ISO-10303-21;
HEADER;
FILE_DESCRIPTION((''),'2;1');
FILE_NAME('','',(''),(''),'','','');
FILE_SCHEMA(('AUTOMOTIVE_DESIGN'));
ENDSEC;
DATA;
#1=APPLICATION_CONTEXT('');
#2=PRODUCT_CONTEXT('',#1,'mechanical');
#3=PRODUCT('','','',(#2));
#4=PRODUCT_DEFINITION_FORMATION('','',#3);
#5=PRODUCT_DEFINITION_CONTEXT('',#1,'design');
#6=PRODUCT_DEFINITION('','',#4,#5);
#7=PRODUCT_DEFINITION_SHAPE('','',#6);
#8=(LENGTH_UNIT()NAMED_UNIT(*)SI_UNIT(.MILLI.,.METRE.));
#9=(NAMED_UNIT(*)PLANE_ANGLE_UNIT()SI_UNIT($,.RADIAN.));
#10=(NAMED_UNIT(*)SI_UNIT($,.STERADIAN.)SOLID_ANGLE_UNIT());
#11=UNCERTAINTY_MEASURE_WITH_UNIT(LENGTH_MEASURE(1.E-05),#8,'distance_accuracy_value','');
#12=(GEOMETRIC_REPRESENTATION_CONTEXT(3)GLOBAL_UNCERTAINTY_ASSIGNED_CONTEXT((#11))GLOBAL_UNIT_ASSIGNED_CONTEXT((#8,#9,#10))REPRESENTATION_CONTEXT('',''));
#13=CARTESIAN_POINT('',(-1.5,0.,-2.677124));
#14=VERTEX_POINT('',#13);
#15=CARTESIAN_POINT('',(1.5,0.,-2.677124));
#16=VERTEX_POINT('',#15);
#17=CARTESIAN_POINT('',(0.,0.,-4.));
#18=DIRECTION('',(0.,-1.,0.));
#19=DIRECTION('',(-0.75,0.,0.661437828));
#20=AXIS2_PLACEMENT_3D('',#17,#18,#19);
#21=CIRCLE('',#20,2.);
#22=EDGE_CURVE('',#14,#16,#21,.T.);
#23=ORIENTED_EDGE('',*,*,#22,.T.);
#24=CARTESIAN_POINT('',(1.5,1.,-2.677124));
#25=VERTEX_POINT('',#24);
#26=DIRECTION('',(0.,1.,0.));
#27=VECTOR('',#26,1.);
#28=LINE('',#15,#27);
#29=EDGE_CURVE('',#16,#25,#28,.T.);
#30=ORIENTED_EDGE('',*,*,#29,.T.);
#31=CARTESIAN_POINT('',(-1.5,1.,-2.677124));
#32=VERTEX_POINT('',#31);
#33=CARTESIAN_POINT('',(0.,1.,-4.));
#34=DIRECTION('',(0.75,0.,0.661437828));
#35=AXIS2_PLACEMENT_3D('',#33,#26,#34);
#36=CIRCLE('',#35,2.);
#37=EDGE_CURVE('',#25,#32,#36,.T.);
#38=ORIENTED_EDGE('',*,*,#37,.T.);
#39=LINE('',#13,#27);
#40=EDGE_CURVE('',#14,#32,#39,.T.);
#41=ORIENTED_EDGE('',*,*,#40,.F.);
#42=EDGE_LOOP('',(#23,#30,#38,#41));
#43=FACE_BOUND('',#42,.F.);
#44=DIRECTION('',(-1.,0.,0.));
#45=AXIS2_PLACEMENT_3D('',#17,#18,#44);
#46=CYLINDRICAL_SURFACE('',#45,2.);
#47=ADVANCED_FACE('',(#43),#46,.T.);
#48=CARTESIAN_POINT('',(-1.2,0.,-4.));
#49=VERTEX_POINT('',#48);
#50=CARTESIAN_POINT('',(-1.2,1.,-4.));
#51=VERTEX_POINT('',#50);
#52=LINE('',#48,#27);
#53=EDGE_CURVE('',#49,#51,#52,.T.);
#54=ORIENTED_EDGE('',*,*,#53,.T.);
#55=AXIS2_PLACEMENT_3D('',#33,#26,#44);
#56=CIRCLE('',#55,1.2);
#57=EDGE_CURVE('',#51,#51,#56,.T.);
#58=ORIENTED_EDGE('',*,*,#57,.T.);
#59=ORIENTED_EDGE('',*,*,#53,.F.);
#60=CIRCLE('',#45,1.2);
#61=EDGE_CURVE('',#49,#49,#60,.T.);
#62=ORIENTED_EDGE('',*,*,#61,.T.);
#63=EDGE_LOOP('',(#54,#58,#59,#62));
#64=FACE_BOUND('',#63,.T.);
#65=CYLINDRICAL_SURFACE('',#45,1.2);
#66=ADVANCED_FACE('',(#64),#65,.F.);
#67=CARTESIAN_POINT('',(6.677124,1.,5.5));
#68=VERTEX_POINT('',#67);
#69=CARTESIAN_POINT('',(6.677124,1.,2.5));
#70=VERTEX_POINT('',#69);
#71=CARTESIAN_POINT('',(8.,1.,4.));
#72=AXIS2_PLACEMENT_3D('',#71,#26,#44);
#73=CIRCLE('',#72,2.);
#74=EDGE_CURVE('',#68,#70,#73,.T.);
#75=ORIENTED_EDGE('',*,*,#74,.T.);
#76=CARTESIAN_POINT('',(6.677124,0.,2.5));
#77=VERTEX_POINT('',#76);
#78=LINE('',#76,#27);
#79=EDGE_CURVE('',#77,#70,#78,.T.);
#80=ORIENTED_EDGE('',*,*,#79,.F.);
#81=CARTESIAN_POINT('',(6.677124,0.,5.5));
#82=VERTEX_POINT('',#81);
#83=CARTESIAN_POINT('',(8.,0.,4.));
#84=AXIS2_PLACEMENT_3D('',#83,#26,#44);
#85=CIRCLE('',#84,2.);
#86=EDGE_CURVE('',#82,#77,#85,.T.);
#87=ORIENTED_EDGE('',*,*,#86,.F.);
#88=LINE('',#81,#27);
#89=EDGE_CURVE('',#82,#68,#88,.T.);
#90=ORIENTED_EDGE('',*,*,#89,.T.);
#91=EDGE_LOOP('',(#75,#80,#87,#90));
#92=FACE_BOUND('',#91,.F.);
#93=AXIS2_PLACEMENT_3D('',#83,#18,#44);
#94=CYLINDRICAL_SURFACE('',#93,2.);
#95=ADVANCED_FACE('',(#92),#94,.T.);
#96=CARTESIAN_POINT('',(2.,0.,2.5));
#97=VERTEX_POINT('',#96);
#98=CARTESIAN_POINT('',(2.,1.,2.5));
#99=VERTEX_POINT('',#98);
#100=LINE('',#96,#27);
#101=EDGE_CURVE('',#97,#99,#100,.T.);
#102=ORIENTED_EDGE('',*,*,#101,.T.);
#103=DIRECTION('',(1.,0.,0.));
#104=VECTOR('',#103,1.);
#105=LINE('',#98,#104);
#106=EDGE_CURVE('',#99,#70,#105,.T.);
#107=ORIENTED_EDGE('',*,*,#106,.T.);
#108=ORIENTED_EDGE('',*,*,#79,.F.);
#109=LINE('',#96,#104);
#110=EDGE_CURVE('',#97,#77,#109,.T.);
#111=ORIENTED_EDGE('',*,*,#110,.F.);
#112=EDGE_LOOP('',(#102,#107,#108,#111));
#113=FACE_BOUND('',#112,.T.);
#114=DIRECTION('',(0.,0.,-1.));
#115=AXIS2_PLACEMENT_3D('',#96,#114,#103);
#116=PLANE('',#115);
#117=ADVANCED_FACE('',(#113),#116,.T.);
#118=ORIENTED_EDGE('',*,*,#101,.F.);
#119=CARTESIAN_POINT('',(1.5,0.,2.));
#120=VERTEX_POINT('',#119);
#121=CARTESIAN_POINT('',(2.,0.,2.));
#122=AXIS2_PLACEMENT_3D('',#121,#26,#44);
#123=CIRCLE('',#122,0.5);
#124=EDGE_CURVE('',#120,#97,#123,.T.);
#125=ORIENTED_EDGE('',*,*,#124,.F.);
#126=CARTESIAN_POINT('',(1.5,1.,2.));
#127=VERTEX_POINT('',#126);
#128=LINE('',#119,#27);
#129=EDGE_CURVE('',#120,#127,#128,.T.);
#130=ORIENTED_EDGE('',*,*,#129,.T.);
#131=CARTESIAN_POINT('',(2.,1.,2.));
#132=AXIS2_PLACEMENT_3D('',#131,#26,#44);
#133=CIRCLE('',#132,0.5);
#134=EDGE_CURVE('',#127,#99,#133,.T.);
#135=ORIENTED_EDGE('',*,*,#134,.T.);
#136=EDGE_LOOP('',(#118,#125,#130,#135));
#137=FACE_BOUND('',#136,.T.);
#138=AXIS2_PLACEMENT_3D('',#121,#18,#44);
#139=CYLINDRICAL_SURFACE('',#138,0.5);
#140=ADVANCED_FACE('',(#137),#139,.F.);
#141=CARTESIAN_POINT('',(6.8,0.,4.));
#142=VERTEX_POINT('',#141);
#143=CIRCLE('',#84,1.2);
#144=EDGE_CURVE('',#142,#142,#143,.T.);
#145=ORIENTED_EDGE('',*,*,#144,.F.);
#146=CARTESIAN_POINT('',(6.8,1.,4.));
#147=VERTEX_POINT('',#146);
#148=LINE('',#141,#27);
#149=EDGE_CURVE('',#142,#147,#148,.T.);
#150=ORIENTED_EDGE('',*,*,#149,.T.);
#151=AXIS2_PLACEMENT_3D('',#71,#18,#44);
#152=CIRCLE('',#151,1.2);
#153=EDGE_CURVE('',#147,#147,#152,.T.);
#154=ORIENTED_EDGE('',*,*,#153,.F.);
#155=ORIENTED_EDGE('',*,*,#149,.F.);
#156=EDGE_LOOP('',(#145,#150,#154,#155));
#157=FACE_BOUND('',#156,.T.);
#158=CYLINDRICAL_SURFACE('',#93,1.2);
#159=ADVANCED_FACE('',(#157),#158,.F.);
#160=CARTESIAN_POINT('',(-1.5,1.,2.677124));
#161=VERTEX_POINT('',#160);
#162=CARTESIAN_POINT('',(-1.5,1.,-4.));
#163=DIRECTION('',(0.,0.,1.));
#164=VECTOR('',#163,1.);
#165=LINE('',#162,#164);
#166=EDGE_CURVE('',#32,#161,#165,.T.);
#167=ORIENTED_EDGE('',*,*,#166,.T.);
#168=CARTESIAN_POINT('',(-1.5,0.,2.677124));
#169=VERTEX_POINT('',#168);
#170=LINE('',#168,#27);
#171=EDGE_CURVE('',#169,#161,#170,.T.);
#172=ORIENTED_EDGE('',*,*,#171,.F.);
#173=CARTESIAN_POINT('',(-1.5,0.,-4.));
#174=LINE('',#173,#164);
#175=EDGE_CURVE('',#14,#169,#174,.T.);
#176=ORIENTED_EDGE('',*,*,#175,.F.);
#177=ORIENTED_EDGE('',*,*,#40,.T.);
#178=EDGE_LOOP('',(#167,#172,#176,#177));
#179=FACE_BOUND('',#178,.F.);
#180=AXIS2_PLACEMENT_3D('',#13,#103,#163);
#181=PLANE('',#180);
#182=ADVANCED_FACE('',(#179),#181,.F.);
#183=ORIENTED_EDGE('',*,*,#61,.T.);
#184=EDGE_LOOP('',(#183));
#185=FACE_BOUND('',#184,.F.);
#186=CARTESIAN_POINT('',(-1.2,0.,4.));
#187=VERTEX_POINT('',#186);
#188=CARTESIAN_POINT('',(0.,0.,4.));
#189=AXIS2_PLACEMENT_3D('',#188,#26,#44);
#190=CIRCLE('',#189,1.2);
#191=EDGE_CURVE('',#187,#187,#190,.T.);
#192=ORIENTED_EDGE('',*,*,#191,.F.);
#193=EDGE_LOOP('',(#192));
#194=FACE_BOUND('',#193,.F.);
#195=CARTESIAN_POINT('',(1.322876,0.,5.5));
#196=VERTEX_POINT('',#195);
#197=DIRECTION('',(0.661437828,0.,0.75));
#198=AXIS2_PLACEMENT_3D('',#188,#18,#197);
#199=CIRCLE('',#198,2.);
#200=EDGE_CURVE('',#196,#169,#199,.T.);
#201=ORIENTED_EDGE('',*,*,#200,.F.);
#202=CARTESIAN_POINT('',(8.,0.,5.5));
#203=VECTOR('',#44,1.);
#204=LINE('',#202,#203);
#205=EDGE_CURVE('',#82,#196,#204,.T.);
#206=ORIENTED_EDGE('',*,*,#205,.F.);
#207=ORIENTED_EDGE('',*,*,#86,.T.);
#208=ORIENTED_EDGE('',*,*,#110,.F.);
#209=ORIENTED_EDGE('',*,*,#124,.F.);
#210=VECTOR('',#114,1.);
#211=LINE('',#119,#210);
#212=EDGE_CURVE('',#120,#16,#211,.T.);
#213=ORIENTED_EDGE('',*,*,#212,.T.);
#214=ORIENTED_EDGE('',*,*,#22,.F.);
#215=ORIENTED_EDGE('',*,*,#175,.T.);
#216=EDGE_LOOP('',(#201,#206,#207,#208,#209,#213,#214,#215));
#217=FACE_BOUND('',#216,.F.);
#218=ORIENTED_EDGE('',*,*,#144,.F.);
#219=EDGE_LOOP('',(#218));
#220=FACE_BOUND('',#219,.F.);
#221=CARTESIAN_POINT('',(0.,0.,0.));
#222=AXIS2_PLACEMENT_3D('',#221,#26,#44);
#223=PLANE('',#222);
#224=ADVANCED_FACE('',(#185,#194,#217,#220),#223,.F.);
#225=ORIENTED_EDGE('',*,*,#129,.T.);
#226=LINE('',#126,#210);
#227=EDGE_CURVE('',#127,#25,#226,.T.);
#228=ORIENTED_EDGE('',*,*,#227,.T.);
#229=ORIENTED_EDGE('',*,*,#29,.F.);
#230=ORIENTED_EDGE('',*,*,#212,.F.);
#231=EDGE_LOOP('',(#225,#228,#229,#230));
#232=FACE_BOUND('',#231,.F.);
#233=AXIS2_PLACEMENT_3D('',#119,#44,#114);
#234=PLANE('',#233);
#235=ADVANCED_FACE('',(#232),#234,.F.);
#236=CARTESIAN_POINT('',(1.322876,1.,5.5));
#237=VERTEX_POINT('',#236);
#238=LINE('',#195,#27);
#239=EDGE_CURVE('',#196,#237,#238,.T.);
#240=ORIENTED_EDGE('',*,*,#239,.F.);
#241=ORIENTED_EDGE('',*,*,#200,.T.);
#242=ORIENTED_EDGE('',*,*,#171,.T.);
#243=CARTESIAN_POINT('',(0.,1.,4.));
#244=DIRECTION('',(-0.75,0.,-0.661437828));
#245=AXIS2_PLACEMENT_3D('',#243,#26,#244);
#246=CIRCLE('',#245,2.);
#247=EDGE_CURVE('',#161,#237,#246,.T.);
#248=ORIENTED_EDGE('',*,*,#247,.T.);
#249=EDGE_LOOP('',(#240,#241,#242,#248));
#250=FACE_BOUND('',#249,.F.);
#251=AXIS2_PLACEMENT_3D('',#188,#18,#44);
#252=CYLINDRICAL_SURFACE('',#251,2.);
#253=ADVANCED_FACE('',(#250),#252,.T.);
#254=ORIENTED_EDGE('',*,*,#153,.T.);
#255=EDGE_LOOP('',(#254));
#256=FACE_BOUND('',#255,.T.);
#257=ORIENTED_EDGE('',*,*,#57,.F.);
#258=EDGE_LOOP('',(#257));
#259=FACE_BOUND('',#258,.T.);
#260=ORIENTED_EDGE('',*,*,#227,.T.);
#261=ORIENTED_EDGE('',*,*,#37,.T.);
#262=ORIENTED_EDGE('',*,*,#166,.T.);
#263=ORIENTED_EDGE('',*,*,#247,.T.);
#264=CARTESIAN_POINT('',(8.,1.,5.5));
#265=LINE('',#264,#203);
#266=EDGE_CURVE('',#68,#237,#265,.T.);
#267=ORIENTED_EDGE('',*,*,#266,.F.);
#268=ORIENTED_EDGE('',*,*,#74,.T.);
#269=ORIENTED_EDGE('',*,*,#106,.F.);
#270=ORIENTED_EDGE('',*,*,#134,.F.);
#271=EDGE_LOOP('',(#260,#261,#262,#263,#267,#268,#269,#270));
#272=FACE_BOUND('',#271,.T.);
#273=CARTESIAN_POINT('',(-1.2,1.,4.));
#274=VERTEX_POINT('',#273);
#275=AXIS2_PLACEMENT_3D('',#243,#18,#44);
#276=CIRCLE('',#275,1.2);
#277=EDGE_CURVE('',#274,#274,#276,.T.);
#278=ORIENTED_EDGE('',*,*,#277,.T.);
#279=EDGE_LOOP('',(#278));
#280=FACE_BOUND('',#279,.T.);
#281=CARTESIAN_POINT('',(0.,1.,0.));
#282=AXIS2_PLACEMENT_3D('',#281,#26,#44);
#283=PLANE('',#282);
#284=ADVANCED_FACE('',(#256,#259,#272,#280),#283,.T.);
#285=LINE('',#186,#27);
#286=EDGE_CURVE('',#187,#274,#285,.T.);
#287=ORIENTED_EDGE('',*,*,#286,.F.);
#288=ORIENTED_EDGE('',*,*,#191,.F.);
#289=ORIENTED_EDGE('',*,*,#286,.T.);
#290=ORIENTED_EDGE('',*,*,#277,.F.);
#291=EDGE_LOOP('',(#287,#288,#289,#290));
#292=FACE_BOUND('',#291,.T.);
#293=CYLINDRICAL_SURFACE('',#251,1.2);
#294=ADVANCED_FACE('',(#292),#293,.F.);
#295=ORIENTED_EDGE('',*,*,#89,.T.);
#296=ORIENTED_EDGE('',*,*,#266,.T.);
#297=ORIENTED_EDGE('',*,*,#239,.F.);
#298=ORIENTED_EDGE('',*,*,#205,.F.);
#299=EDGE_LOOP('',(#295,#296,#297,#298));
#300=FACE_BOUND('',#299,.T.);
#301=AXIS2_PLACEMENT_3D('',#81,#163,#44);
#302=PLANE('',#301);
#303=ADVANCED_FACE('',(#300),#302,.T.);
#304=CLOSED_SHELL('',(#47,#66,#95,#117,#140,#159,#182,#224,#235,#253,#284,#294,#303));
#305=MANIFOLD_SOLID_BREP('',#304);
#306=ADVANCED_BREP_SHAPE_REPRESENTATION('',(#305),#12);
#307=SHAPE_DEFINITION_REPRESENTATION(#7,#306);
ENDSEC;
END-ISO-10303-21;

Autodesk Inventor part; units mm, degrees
ref_plane "YZ Plane" through (0, 0, 0) normal (1, 0, 0) x (0, 1, 0)
ref_plane "XZ Plane" through (0, 0, 0) normal (0, 1, 0) x (-1, 0, 0)
ref_plane "XY Plane" through (0, 0, 0) normal (0, 0, 1) x (1, 0, 0)
sketch "Sketch1" plane through (0, 0, 0) normal (0, 1, 0) x (-1, 0, 0)
  line L0 (-1.5, -4) -> (1.5, -4)
  line L1 (1.5, -4) -> (1.5, 4)
  line L2 (1.5, 4) -> (-1.5, 4)
  line L3 (-1.5, 2) -> (-1.5, -4)
  line L4 (-1.5, -4) -> (1.5, 4) construction
  line L5 (1.5, -4) -> (-1.5, 4) construction
  circle A0 centre (0, 4) radius 1.2
  circle A1 centre (0, -4) radius 1.2
  circle A2 centre (0, -4) radius 2
  circle A3 centre (0, 4) radius 2
  line L6 (-2, 2.5) -> (-8, 2.5)
  line L7 (-8, 2.5) -> (-8, 5.5)
  line L8 (-8, 5.5) -> (0, 5.5)
  line L9 (0, 5.5) -> (0, 2.5)
  circle A4 centre (-8, 4) radius 1.2
  circle A5 centre (-8, 4) radius 2
  arc A6 (-1.5, 2) -> (-2, 2.5) centre (-2, 2) ccw
  point P0 (0, 0)
  point P1 (-1.5, -2.6771)
  point P2 (1.5, -2.6771)
  point P3 (1.5, 2.6771)
  point P4 (-1.5, 2.6771)
  point P5 (-6.6771, 2.5)
  point P6 (-1.5, 2.5)
  point P7 (-1.3229, 5.5)
  point P8 (-6.6771, 5.5)
  point P9 (-8, 5.2)
  point P10 (-8, 2.8)
  dimension "d0" = 3
  dimension "linkPitchLength" = 8
  dimension "d3" = 2.4
  dimension "d4" = 4
  dimension "linkPitchWidth" = 8
  dimension "d17" = 0.5
extrude "Extrusion1" add sketch "Sketch1" along normal blind 1 contours A1 L0 L3 A2 L1 | L0 L1 A2 L3 A1 | A2 L3 A6 L6 A5 L8 A3 L1 | A3 L8 L9 A0 L2 L1 | L1 L2 A0 L9 L8 A3 | A5 L6 L7 A4 L8 | L8 L7 A4 L6 A5
sketch "Sketch2" plane through (0, 1, 0) normal (0, 1, 0) x (1, 0, 0)
  line L0 (6.6771, -2.5) -> (2, -2.5) projected
  arc A0 (1.5, -2) -> (2, -2.5) centre (2, -2) ccw projected
  line L1 (1.5, -2) -> (1.5, 2.6771) projected
  arc A1 (1.5, 2.6771) -> (-1.5, 2.6771) centre (0, 4) ccw projected
  line L2 (-1.5, 2.6771) -> (-1.5, -2.6771) projected
  arc A2 (-1.5, -2.6771) -> (1.3229, -5.5) centre (0, -4) ccw projected
  line L3 (1.3229, -5.5) -> (6.6771, -5.5) projected
  arc A3 (6.6771, -5.5) -> (6.6771, -2.5) centre (8, -4) ccw projected
  circle A4 centre (8, -4) radius 1.2 projected
  circle A5 centre (0, 4) radius 1.2 projected
  circle A6 centre (0, -4) radius 1.2 projected
  point P0 (0, 0)
extrude "Extrusion2" [suppressed]
sketch "Sketch5" plane through (0, 1, 0) normal (0, 1, 0) x (1, 0, 0)
  line L0 (6.6771, -2.5) -> (2, -2.5) projected
  arc A0 (1.5, -2) -> (2, -2.5) centre (2, -2) ccw projected
  line L1 (1.5, -2) -> (1.5, 2.6771) projected
  arc A1 (1.5, 2.6771) -> (-1.5, 2.6771) centre (0, 4) ccw projected
  line L2 (-1.5, 2.6771) -> (-1.5, -2.6771) projected
  arc A2 (-1.5, -2.6771) -> (1.3229, -5.5) centre (0, -4) ccw projected
  line L3 (1.3229, -5.5) -> (6.6771, -5.5) projected
  arc A3 (6.6771, -5.5) -> (6.6771, -2.5) centre (8, -4) ccw projected
  circle A4 centre (8, -4) radius 1.2 projected
  circle A5 centre (0, 4) radius 1.2 projected
  circle A6 centre (0, -4) radius 1.2 projected
  point P0 (0, 0)
extrude "Extrusion3" [suppressed]
sketch "Sketch6" plane through (0, 1, 0) normal (0, 1, 0) x (1, 0, 0)
  line L0 (6.6771, -2.5) -> (2, -2.5) projected
  arc A0 (1.5, -2) -> (2, -2.5) centre (2, -2) ccw projected
  line L1 (1.5, -2) -> (1.5, 2.6771) projected
  arc A1 (1.5, 2.6771) -> (-1.5, 2.6771) centre (0, 4) ccw projected
  line L2 (-1.5, 2.6771) -> (-1.5, -2.6771) projected
  arc A2 (-1.5, -2.6771) -> (1.3229, -5.5) centre (0, -4) ccw projected
  line L3 (1.3229, -5.5) -> (6.6771, -5.5) projected
  arc A3 (6.6771, -5.5) -> (6.6771, -2.5) centre (8, -4) ccw projected
  circle A4 centre (8, -4) radius 1.2 projected
  circle A5 centre (0, 4) radius 1.2 projected
  circle A6 centre (0, -4) radius 1.2 projected
  point P0 (0, 0)
extrude "Extrusion4" [suppressed]
properties part number "link-1-turn-8"
